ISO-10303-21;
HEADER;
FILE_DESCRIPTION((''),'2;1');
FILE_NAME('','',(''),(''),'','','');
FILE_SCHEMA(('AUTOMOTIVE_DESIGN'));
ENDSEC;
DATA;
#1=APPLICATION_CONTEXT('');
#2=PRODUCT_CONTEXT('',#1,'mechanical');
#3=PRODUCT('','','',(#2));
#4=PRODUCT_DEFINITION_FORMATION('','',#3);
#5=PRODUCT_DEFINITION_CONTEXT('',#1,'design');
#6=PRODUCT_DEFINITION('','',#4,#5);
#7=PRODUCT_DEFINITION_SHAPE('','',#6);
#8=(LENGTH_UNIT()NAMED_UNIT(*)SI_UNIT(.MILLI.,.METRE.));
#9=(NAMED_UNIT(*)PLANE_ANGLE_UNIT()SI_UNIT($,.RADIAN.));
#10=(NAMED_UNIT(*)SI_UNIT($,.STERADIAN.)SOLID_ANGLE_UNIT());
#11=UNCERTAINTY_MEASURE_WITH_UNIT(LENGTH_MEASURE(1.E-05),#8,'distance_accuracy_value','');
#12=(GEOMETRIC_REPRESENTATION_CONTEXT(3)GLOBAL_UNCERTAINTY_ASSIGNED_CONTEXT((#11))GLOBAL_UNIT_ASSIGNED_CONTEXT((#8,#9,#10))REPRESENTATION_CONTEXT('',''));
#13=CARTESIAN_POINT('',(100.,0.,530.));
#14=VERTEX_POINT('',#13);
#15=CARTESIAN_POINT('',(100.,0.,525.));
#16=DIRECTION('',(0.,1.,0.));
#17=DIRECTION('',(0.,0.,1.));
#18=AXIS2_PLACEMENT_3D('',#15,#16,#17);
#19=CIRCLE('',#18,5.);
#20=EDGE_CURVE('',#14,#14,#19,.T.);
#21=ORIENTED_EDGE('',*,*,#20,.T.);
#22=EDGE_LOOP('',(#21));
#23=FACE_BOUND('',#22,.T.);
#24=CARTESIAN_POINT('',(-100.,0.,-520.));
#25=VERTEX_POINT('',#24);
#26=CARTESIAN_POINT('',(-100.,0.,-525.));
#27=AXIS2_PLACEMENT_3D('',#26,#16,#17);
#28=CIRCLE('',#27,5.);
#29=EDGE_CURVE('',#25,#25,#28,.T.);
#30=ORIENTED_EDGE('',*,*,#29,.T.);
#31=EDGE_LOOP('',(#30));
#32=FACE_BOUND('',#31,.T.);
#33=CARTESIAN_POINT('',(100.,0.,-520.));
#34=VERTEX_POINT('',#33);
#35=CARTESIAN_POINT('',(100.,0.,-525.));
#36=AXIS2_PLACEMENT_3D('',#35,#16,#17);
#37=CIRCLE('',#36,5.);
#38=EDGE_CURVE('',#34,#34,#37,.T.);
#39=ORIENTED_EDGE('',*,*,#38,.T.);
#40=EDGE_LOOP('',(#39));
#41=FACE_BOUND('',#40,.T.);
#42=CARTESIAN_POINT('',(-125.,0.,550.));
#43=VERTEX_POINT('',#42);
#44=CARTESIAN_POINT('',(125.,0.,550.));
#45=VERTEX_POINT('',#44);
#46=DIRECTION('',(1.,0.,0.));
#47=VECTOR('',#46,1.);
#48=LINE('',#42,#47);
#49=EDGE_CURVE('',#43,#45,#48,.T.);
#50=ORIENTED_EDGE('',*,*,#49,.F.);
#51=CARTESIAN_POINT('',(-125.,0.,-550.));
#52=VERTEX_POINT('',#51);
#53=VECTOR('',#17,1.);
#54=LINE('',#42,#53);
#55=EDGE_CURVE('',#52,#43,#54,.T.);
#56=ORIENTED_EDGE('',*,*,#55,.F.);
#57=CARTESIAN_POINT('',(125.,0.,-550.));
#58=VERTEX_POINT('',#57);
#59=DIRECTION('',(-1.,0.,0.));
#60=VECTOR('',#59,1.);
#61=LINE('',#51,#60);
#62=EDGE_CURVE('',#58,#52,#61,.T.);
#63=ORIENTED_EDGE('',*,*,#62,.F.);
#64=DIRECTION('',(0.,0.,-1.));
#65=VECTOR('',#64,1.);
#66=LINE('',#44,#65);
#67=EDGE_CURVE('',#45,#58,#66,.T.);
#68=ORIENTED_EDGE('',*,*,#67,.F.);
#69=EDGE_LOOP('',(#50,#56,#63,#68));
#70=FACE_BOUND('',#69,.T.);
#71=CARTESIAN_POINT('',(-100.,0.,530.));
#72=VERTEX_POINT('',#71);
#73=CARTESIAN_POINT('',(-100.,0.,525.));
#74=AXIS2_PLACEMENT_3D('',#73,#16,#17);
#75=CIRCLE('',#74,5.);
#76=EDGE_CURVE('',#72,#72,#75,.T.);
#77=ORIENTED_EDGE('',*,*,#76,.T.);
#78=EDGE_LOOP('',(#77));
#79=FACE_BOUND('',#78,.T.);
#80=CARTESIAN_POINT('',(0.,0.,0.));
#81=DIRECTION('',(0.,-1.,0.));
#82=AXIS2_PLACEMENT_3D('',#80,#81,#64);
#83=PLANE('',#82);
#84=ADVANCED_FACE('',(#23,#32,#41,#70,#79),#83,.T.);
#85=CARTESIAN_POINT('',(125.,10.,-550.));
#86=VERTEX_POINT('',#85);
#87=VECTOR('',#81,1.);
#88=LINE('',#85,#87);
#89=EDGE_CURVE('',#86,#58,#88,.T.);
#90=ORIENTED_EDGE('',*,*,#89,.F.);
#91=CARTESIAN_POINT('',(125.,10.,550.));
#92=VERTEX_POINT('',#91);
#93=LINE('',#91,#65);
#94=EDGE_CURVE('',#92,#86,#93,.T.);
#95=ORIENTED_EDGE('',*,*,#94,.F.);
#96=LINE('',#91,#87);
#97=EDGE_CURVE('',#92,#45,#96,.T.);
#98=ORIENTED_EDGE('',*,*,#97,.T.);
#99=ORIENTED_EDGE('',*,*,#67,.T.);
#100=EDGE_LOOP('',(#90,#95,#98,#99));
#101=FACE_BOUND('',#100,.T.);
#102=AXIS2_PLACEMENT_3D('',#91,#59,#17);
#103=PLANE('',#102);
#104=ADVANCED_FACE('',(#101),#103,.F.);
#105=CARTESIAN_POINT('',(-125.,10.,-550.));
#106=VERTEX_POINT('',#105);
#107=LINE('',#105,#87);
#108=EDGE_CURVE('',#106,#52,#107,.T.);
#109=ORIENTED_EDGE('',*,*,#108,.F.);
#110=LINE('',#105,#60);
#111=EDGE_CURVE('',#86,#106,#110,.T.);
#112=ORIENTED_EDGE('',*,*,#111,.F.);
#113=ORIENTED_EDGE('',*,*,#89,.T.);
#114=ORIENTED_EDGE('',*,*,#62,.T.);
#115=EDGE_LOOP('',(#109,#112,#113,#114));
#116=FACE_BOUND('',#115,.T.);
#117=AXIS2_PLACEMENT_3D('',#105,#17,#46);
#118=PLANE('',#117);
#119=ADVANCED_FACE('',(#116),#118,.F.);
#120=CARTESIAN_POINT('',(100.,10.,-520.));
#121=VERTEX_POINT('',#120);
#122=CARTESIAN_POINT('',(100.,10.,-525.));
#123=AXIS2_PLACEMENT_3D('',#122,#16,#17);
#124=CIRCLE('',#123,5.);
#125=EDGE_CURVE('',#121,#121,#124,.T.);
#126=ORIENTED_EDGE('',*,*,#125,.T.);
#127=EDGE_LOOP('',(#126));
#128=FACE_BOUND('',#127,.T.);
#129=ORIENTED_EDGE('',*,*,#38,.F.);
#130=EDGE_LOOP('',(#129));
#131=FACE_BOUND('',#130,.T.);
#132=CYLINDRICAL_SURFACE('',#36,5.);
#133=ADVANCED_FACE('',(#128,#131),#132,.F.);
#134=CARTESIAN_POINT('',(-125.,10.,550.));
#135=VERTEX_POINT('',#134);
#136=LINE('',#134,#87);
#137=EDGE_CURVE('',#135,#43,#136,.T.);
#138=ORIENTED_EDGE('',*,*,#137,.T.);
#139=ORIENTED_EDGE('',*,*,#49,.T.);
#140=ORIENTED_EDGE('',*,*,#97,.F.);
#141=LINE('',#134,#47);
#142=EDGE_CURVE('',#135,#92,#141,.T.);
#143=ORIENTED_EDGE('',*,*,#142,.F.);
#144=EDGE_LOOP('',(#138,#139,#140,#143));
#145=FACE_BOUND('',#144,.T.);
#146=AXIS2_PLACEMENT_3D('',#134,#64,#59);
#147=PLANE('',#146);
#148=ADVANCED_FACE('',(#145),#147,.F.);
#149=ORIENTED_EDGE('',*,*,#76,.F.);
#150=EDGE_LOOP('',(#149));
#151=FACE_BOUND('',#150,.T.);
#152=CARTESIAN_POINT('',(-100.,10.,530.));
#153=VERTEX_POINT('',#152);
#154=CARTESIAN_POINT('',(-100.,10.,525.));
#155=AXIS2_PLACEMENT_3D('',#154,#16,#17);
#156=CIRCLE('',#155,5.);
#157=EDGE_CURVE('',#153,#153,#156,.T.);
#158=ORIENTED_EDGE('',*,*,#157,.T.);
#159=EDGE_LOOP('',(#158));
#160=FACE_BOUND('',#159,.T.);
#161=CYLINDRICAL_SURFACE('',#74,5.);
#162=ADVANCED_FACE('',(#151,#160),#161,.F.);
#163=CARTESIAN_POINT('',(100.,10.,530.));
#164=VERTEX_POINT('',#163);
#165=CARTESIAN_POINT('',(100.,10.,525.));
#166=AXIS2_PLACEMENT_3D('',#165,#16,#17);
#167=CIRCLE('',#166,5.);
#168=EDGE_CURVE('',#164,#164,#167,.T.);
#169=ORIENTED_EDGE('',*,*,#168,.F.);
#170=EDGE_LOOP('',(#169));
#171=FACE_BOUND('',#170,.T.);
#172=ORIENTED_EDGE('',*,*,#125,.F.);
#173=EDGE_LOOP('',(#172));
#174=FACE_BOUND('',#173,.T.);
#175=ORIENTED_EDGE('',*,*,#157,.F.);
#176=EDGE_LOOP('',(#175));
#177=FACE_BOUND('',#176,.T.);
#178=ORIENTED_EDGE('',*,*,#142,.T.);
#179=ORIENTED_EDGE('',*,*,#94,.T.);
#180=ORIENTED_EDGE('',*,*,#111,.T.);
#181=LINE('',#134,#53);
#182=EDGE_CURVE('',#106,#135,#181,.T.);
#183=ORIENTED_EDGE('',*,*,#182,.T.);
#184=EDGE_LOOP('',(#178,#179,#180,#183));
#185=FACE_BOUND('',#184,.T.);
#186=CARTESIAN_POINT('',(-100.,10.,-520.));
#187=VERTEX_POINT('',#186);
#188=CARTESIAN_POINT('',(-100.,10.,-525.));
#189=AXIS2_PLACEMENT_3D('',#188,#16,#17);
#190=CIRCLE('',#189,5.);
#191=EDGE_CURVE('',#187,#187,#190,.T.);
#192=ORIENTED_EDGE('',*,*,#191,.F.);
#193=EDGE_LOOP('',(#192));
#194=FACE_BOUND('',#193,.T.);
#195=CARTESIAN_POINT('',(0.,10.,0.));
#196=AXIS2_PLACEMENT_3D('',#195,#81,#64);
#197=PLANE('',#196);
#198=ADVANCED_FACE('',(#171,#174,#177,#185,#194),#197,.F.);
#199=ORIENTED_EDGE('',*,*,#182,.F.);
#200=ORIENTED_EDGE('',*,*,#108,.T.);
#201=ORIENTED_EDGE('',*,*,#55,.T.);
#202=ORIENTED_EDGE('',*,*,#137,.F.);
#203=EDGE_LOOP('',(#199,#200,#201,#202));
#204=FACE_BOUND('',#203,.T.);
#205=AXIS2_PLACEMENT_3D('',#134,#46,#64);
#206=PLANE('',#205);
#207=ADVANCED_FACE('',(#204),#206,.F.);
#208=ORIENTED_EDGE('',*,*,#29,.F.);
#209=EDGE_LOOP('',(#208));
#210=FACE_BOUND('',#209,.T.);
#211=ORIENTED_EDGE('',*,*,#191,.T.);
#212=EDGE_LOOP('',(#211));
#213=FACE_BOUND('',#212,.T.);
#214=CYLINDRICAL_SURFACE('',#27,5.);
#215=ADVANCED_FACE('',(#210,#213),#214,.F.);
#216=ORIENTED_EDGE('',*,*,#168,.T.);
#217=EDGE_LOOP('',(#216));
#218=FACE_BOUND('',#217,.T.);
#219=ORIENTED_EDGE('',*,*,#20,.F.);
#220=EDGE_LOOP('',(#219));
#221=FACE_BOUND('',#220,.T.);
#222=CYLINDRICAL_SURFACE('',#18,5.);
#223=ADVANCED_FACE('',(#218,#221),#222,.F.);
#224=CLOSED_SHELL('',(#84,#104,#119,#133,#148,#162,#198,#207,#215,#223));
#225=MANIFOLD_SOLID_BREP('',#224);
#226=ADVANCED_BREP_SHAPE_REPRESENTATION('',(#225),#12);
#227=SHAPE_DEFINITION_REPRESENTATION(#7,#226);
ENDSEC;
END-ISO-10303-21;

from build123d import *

# Parameters (mm, degrees)
SKETCH1_W           = 250
SKETCH1_H           = 1100
BOSS_EXTRUDE1_DEPTH = 10
SKETCH2_R           = 5
CUT_EXTRUDE1_DEPTH  = 565.11435011


with BuildPart() as part:
    # Sketch1 → Boss-Extrude1 (new body)
    with BuildSketch(Plane(origin=(0, 0, 0), x_dir=(1, 0, 0), z_dir=(0, 1, 0))):
        Rectangle(SKETCH1_W, SKETCH1_H)
    extrude(amount=BOSS_EXTRUDE1_DEPTH)

    # Sketch2 → Cut-Extrude1 (cut, through all)
    with BuildSketch(Plane(origin=(0, 10, 0), x_dir=(1, 0, 0), z_dir=(0, 1, 0))):
        with Locations(Location((100, 525, 0), (0, 0, 270))):
            Circle(SKETCH2_R)
        with Locations(Location((-100, 525, 0), (0, 0, 270))):
            Circle(SKETCH2_R)
        with Locations(Location((100, -525, 0), (0, 0, 270))):
            Circle(SKETCH2_R)
        with Locations(Location((-100, -525, 0), (0, 0, 270))):
            Circle(SKETCH2_R)
    extrude(amount=-CUT_EXTRUDE1_DEPTH, mode=Mode.SUBTRACT)


solid = part.part
